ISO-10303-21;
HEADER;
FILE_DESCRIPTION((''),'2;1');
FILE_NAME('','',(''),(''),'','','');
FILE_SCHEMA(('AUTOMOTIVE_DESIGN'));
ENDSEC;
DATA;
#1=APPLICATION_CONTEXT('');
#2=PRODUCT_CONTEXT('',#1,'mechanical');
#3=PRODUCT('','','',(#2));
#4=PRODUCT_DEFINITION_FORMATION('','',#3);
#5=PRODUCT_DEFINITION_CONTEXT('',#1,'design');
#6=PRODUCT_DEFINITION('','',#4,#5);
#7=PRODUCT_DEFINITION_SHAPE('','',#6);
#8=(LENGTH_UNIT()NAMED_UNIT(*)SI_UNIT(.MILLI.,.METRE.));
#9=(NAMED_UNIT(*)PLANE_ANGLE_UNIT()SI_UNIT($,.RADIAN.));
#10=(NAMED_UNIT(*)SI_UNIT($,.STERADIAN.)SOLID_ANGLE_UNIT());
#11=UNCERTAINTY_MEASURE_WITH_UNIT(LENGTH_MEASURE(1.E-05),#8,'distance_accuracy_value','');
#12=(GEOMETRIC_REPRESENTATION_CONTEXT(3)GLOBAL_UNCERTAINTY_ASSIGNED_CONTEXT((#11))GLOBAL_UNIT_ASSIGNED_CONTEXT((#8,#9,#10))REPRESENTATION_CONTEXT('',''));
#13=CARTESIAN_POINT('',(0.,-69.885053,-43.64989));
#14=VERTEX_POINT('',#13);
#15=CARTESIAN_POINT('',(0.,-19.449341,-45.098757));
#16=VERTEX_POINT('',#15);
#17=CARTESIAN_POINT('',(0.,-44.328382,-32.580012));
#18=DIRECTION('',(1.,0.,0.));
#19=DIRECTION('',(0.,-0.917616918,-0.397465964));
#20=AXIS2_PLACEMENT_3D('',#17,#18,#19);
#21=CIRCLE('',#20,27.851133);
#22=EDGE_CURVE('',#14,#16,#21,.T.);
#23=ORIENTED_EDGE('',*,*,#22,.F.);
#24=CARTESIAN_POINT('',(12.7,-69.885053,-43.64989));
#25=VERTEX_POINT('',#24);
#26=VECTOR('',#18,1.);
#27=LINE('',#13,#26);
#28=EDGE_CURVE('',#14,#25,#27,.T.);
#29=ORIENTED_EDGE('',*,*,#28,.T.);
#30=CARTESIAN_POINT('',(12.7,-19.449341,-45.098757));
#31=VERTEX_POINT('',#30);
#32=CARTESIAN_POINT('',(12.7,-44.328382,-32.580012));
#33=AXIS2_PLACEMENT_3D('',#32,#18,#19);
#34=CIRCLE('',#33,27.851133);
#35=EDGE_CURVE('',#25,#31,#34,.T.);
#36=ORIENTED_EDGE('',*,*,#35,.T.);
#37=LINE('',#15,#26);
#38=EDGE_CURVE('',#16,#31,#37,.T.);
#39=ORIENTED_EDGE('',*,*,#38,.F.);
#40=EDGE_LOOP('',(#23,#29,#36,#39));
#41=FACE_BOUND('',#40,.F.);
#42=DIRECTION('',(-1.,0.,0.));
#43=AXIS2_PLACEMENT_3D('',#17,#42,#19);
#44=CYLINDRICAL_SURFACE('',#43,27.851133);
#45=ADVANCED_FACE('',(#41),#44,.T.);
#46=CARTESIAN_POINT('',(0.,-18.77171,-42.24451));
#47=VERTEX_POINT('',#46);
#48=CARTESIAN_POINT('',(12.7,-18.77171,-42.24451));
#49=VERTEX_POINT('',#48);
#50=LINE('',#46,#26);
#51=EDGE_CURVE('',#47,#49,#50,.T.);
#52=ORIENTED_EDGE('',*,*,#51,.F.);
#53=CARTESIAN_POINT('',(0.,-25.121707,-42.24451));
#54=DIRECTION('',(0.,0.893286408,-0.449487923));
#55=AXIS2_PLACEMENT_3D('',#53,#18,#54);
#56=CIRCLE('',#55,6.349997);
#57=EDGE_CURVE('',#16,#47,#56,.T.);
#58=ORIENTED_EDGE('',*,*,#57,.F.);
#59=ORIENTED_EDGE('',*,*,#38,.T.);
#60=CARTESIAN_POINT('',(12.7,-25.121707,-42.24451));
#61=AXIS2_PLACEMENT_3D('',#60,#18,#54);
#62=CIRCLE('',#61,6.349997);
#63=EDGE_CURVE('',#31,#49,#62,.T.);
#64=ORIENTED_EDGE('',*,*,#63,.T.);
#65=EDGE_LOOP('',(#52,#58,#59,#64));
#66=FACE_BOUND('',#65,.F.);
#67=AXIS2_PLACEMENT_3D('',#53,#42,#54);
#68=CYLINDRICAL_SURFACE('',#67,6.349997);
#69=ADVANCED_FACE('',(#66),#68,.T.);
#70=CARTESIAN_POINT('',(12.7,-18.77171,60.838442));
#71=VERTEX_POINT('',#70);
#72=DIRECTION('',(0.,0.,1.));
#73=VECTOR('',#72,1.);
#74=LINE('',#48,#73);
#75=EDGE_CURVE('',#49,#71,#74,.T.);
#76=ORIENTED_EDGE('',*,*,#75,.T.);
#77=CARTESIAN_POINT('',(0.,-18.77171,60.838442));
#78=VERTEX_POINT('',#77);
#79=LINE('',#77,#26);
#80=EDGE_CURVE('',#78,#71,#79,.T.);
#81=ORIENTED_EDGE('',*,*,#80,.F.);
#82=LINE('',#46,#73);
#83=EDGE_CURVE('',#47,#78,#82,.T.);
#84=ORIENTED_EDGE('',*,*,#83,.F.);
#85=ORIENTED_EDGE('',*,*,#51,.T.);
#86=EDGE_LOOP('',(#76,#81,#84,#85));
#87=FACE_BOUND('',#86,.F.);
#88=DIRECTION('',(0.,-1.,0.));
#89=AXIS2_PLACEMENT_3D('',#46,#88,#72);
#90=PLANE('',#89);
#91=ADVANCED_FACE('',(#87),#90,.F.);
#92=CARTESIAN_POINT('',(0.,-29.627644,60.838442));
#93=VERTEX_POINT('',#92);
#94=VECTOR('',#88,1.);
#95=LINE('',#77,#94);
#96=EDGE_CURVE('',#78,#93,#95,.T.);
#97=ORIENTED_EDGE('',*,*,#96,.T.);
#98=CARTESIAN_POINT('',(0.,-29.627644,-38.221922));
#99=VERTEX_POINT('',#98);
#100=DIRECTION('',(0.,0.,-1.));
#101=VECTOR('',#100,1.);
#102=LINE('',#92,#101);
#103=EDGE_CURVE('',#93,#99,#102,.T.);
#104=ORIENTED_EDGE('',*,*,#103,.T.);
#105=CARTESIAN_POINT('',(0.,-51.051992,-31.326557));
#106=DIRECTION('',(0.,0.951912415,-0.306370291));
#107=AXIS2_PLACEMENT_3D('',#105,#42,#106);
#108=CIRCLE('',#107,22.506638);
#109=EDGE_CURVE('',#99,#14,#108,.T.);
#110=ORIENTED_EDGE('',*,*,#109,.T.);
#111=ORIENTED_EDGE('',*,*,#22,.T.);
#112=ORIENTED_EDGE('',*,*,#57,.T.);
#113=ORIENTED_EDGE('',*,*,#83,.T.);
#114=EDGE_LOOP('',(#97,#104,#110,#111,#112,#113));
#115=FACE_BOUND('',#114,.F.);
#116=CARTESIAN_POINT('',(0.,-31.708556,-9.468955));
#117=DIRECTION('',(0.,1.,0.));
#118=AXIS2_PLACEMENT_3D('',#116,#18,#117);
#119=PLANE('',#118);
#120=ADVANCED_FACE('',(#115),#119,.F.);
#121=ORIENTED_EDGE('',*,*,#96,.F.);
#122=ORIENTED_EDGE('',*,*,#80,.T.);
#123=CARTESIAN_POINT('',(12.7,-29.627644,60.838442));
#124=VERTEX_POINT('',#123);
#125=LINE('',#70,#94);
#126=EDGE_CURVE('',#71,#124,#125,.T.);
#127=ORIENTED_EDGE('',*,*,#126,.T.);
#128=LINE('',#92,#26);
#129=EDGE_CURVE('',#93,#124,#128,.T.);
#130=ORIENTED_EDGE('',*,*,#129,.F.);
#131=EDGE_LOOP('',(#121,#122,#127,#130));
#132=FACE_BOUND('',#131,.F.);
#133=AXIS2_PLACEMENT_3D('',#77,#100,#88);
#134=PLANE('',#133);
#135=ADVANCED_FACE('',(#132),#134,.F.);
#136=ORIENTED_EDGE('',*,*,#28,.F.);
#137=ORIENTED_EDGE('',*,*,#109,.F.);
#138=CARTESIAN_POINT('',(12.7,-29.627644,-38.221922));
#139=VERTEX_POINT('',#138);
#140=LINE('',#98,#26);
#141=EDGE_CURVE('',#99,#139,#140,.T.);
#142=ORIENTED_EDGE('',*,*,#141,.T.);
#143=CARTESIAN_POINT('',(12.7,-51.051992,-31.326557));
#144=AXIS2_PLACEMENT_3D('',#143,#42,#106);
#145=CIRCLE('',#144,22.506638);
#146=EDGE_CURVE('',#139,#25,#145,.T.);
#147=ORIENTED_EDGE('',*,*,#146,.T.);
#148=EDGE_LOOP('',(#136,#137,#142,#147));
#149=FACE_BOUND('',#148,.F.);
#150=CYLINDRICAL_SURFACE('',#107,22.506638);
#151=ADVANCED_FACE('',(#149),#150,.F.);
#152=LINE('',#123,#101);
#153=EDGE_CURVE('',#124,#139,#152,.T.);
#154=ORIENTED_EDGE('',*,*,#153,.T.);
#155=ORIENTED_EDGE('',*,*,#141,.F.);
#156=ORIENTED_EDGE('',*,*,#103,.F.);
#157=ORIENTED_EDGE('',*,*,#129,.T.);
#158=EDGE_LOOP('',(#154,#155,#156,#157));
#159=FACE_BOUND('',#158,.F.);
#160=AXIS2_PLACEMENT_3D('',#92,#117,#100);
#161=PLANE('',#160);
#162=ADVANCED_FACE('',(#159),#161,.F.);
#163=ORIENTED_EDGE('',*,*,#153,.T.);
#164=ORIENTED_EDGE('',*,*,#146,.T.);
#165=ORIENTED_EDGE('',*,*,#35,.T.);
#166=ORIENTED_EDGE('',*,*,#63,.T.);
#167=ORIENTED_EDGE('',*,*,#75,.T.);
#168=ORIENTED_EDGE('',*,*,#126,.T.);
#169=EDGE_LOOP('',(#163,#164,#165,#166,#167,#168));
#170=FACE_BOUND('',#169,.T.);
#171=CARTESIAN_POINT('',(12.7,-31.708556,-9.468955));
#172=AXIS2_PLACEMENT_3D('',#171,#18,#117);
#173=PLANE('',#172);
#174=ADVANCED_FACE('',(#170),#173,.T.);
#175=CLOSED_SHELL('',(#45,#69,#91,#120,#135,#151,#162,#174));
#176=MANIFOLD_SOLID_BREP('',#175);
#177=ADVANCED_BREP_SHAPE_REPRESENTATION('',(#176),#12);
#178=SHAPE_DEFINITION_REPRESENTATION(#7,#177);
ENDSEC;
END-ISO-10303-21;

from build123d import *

# Parameters (mm, degrees)
F1_DEPTH = 12.7


with BuildPart() as f1:
    # F0 (on Right) → F1 (new body)
    with BuildSketch(Plane.YZ):
        with BuildLine():
            Line((-18.77171, -42.24451), (-18.77171, 60.838442))
            Line((-18.77171, 60.838442), (-29.627644, 60.838442))
            Line((-29.627644, 60.838442), (-29.627644, -38.221922))
            ThreePointArc((-29.627644, -38.221922), (-48.0446, -53.631362), (-69.885053, -43.64989))
            ThreePointArc((-69.885053, -43.64989), (-45.128132, -60.419661), (-19.449341, -45.098757))
            ThreePointArc((-19.449341, -45.098757), (-18.94344, -43.711302), (-18.77171, -42.24451))
        make_face()
    extrude(amount=F1_DEPTH)


solid = f1.part
